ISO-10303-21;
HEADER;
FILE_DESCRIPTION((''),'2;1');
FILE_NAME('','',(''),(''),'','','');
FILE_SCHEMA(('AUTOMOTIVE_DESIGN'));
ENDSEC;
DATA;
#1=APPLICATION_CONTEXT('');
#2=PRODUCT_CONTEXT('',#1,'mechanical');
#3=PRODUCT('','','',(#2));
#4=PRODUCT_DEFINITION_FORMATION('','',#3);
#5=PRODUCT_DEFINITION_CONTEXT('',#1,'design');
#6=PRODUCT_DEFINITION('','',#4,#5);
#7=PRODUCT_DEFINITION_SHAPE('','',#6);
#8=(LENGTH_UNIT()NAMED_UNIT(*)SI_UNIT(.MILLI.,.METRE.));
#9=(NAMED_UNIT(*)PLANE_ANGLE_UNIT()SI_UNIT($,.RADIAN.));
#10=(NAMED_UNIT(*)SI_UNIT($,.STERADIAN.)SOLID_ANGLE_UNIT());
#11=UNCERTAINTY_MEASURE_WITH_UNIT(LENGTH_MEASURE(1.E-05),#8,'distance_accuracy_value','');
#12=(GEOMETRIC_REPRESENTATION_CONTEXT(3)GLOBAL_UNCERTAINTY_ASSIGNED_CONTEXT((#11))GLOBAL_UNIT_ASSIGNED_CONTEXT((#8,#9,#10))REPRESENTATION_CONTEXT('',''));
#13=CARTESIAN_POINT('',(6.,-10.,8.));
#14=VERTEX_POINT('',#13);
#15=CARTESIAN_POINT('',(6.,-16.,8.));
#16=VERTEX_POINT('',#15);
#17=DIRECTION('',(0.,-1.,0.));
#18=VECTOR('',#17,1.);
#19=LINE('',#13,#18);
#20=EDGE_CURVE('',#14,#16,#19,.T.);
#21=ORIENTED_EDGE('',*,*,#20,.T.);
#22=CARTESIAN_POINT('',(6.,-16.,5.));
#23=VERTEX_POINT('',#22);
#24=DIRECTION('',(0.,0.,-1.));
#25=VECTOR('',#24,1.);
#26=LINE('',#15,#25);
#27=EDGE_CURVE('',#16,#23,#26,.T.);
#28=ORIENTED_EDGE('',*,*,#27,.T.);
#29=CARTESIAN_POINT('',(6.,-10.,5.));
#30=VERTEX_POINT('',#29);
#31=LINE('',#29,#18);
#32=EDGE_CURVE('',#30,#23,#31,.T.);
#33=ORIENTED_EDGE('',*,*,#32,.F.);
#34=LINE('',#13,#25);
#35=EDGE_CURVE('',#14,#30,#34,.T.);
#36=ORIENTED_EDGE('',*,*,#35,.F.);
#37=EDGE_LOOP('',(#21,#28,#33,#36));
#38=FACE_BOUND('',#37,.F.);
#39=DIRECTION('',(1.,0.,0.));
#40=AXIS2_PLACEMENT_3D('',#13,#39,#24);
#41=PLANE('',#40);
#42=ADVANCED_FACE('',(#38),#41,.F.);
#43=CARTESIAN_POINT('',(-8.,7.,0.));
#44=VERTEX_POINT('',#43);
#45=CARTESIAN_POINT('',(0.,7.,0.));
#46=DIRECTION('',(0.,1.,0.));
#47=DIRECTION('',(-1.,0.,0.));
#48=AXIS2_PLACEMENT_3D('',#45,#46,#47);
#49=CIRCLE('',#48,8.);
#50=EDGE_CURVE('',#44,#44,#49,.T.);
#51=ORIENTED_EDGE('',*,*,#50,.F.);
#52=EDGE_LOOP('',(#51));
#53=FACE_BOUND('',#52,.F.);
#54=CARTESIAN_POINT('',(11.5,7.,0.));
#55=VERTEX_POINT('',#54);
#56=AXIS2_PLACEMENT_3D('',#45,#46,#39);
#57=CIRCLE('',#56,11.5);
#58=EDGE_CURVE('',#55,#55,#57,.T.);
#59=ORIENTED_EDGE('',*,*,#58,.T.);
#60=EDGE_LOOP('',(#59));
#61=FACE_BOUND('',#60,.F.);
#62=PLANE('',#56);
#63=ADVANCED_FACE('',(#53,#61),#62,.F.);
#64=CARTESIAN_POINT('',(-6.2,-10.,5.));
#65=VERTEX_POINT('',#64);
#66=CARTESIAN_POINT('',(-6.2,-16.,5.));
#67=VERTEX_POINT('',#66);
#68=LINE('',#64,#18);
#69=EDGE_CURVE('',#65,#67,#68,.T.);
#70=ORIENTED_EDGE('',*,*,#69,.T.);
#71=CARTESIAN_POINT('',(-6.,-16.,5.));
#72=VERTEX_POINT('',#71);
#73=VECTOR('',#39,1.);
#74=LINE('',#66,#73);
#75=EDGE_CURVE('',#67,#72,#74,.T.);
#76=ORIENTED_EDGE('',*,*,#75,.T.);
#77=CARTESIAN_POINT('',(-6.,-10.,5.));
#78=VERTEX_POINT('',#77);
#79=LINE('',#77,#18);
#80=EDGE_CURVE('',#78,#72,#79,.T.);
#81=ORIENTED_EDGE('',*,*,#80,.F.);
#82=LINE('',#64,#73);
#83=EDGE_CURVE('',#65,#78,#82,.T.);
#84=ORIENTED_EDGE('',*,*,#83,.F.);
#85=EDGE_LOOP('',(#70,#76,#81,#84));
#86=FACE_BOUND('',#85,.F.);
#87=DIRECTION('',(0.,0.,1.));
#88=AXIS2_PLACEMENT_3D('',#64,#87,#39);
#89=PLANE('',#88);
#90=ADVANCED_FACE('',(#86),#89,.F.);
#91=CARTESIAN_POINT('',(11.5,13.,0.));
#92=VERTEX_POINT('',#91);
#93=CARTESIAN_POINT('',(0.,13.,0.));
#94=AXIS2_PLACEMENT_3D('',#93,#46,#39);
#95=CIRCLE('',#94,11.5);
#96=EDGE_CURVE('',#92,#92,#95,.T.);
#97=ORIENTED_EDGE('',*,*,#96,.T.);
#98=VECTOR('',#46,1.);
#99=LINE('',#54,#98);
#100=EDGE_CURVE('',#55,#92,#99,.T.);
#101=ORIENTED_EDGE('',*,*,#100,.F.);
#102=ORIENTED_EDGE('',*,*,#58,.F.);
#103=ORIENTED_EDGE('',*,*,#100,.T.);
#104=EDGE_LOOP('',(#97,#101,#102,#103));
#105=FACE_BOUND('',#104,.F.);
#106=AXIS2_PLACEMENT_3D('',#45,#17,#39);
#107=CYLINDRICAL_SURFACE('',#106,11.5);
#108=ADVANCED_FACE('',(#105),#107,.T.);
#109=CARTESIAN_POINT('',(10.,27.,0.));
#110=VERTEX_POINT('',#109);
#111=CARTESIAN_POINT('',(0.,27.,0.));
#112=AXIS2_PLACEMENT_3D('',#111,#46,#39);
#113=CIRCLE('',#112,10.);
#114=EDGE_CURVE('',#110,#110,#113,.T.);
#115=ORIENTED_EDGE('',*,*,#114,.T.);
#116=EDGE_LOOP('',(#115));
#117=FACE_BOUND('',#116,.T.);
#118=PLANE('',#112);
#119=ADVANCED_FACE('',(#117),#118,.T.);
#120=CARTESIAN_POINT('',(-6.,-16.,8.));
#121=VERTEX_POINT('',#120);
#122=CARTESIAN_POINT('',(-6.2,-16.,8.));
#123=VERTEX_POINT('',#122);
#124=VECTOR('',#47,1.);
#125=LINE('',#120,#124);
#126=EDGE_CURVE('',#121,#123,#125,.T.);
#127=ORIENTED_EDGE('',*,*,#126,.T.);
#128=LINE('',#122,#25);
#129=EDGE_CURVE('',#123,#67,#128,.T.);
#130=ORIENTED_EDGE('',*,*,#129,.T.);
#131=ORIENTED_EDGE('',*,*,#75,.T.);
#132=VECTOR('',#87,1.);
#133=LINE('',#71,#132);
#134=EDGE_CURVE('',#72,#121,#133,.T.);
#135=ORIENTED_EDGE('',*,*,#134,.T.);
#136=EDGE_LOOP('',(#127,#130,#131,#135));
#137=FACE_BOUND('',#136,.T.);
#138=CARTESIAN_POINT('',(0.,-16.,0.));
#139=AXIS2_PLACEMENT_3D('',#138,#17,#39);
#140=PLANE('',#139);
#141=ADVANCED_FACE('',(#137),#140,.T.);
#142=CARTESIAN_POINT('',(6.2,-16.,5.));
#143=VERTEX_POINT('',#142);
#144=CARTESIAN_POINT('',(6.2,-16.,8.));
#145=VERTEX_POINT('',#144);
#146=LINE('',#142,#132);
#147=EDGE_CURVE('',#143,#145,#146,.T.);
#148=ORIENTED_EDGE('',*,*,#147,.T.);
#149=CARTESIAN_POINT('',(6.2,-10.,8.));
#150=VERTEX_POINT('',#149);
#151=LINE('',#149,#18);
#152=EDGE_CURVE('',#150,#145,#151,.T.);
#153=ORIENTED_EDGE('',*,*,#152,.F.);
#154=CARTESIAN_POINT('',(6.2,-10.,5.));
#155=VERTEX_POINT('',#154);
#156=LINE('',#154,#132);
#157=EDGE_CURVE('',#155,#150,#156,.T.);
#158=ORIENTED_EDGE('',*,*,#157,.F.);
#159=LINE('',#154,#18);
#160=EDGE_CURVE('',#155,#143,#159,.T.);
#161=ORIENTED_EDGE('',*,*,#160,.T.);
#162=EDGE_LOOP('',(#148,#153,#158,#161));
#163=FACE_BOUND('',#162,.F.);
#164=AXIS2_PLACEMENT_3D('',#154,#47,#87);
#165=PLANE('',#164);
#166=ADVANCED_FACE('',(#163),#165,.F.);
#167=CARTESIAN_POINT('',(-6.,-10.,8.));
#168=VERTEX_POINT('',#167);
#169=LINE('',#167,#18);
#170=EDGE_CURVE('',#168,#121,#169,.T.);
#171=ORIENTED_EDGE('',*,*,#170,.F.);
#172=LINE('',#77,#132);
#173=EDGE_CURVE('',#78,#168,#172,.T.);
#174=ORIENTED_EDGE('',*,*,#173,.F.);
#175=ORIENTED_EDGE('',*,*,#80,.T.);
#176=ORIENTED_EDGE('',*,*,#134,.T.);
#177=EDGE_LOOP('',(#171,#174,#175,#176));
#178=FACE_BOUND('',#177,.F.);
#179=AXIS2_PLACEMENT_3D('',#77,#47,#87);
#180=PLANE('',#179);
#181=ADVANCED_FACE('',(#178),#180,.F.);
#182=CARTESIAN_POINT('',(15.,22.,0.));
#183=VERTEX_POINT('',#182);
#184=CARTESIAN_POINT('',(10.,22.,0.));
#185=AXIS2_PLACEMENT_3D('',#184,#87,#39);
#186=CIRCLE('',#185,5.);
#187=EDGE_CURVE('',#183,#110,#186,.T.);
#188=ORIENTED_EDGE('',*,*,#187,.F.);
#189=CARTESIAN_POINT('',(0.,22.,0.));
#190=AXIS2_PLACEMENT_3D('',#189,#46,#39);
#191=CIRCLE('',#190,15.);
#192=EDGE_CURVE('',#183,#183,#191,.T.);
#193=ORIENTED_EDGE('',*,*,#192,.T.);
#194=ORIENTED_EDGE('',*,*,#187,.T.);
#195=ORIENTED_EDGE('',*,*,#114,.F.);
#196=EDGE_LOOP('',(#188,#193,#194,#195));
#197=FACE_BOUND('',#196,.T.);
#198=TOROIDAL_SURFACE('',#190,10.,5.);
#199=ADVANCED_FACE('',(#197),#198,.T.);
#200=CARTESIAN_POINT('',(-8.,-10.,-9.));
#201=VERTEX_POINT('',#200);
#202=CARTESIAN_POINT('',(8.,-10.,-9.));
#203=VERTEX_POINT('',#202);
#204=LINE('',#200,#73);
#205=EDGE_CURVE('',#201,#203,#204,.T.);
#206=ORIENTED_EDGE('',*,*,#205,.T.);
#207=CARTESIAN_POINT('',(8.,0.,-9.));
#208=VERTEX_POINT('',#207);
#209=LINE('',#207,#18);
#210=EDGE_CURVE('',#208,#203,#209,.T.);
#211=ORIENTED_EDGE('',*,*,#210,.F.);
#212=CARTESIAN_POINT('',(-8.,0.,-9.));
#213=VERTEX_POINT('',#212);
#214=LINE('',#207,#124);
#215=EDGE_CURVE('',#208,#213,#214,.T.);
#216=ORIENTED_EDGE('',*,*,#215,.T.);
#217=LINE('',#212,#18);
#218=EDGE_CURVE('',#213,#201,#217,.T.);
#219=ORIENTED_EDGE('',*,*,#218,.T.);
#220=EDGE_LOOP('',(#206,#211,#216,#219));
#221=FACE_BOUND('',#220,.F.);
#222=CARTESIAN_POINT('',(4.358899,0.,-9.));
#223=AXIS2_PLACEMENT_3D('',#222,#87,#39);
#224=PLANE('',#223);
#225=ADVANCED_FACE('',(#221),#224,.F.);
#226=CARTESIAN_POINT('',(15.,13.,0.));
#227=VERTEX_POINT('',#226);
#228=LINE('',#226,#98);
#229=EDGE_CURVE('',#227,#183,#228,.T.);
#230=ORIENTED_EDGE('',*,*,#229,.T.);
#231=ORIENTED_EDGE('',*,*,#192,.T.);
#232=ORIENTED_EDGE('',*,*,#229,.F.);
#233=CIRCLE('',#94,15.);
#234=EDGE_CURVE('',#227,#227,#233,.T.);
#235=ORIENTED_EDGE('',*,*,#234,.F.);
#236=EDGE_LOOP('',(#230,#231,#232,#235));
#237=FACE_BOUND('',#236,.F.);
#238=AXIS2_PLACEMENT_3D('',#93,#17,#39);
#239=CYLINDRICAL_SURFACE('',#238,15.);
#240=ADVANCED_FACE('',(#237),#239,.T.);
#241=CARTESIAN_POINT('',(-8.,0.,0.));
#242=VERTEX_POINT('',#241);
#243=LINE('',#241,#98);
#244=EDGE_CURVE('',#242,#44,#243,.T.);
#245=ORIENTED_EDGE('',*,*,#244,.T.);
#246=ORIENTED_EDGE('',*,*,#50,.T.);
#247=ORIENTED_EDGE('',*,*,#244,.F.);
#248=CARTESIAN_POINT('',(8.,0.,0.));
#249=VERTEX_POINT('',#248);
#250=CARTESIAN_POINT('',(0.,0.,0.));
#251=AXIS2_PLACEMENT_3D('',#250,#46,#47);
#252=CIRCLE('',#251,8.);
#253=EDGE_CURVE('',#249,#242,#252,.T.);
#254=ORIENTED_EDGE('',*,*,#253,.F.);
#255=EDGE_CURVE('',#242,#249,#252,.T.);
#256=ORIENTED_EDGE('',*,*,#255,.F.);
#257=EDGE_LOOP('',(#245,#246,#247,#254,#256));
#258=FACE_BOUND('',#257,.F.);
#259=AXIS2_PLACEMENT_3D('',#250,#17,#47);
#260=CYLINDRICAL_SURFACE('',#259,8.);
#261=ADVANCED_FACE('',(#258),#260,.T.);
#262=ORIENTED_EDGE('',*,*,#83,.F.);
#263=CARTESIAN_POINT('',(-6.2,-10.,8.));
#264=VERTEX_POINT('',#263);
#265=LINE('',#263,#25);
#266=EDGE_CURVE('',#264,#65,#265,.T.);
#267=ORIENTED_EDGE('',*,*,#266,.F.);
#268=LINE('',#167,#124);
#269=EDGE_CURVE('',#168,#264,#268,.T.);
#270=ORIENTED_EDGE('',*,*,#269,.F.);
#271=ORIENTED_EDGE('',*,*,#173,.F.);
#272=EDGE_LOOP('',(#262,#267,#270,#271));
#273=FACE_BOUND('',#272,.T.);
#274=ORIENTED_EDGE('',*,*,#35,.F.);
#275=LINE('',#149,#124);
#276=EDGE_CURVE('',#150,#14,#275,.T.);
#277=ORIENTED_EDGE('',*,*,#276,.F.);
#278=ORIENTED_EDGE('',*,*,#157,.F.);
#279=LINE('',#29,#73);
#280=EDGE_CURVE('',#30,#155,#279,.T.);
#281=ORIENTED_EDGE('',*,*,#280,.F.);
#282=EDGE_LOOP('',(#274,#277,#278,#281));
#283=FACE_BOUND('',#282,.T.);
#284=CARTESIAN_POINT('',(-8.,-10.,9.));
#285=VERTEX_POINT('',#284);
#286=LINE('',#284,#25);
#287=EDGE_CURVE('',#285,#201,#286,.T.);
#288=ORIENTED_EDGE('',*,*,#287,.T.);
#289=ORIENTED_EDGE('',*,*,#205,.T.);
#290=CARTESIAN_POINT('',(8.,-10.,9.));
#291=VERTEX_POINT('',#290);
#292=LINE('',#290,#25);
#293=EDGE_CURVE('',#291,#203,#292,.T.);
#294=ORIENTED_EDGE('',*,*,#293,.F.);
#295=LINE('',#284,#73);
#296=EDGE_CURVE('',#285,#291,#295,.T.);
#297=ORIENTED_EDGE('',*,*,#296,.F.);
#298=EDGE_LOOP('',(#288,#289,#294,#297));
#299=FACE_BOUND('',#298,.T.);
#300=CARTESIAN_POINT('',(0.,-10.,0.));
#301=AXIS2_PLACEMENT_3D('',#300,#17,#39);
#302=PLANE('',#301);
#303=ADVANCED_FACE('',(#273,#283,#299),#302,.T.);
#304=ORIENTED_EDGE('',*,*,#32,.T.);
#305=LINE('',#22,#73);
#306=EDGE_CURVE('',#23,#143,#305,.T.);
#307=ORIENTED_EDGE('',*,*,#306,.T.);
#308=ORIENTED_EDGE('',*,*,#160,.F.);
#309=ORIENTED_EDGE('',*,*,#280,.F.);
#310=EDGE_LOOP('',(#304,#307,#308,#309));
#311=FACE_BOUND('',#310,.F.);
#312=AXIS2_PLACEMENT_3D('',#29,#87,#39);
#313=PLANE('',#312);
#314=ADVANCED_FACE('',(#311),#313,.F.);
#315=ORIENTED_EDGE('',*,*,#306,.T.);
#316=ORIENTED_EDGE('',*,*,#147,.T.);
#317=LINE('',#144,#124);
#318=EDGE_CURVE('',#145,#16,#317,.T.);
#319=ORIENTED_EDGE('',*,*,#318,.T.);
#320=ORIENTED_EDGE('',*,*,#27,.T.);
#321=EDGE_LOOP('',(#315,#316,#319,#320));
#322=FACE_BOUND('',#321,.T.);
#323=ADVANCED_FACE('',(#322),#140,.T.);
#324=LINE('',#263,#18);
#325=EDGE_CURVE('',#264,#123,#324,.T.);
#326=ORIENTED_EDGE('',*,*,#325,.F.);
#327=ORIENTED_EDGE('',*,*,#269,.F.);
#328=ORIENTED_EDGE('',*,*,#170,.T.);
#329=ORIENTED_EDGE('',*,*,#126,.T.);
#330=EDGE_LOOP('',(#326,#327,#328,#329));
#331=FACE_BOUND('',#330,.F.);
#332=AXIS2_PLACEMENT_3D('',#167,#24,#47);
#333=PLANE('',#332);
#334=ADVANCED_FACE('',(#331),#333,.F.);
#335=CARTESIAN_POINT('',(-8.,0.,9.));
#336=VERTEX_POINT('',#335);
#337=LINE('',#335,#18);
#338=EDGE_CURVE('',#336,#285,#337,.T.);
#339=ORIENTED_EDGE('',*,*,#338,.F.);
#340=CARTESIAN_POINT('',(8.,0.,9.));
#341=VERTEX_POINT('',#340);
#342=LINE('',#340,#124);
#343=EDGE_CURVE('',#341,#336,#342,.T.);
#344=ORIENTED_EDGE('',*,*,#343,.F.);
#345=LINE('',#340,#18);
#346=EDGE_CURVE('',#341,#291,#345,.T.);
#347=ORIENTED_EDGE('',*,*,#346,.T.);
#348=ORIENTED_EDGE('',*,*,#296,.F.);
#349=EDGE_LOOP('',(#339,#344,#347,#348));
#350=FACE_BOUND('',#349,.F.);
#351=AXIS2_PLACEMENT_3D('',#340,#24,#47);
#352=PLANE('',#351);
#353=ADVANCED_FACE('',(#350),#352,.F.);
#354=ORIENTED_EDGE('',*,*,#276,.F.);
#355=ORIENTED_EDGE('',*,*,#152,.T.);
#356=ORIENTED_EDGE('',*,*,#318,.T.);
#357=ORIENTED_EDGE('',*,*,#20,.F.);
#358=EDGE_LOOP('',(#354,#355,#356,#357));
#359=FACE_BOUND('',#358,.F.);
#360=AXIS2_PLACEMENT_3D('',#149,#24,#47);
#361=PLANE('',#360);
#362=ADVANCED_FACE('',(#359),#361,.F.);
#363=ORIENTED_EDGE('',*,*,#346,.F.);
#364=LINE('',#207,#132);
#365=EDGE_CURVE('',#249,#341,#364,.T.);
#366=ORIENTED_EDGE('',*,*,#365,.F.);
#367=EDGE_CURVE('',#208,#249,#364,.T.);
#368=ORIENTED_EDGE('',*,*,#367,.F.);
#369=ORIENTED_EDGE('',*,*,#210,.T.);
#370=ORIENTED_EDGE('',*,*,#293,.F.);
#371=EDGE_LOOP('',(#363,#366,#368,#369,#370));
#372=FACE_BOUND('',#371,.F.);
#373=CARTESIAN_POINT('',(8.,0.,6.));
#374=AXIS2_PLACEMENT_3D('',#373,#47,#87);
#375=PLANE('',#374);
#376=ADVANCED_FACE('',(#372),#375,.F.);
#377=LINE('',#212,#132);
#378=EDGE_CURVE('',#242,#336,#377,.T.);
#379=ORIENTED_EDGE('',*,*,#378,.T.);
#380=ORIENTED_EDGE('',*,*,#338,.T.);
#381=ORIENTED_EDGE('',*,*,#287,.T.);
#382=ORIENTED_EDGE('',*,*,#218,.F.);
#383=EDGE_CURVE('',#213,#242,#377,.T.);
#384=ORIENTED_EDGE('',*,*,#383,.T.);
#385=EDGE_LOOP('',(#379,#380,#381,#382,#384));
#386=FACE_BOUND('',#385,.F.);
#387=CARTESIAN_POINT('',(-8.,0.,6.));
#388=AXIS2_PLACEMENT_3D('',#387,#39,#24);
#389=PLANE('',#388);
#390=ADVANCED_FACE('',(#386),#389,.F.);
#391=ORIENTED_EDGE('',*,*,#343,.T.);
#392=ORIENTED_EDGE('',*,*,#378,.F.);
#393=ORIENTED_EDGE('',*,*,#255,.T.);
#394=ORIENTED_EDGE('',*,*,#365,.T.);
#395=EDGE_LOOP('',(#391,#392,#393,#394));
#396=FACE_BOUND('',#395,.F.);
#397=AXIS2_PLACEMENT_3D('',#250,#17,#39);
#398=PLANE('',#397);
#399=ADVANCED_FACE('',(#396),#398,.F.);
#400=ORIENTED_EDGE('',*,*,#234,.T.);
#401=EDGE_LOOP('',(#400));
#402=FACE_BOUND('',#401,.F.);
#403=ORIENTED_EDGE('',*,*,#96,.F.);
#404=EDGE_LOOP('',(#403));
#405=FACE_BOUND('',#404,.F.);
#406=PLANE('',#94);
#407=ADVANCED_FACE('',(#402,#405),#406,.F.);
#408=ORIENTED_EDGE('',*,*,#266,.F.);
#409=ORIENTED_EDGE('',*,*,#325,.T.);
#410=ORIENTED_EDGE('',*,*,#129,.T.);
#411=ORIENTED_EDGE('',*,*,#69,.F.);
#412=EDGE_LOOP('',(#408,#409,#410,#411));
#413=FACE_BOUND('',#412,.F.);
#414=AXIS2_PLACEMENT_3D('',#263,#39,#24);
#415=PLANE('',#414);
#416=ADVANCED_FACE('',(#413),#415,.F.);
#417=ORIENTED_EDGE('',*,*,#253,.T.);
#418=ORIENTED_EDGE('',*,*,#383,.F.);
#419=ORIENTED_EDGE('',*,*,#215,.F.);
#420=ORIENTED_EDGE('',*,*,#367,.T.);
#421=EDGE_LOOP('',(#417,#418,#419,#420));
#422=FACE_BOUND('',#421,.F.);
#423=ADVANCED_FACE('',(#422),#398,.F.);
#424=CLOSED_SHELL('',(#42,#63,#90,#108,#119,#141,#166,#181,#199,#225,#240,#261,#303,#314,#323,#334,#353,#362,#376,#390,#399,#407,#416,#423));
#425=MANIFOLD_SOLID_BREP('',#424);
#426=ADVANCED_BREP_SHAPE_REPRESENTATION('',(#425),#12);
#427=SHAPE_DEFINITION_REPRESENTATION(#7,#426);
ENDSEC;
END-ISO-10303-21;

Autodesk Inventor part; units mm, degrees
ref_plane "YZ Plane" through (0, 0, 0) normal (1, 0, 0) x (0, 1, 0)
ref_plane "XZ Plane" through (0, 0, 0) normal (0, 1, 0) x (-1, 0, 0)
ref_plane "XY Plane" through (0, 0, 0) normal (0, 0, 1) x (1, 0, 0)
sketch "スケッチ1" plane through (0, 0, 0) normal (0, 1, 0) x (-1, 0, 0)
  circle A0 centre (0, 0) radius 8
  dimension "d0" = 16
extrude "押し出し1" add sketch "スケッチ1" along normal blind 7
sketch "スケッチ2" plane through (0, 7, 0) normal (0, 1, 0) x (1, 0, 0)
  circle A0 centre (0, 0) radius 11.5
  dimension "d3" = 23
extrude "押し出し2" add sketch "スケッチ2" along normal blind 6
sketch "スケッチ3" plane through (0, 13, 0) normal (0, 1, 0) x (1, 0, 0)
  circle A0 centre (0, 0) radius 15
  dimension "d6" = 30
extrude "押し出し3" add sketch "スケッチ3" along normal blind 14
fillet "フィレット1" radius 5 1 edges at (-15, 27, 0)
sketch "スケッチ4" plane through (0, 0, 0) normal (0, -1, 0) x (1, 0, 0)
  line L0 (8, 9) -> (-8, 9)
  line L1 (-8, 9) -> (-8, -9)
  line L2 (-8, -9) -> (8, -9)
  line L3 (8, -9) -> (8, 9)
  circle A0 centre (0, 0) radius 10 projected
  line L4 (8, 9) -> (-8, -9) construction
  line L5 (-8, 9) -> (8, -9) construction
  dimension "d10" = 16
  dimension "d11" = 18
extrude "押し出し4" add sketch "スケッチ4" along normal blind 10 contours L3 A0 L0 | A0 L3 L2 L1 L0 | A0 L1 L0 | L3 L2 A0 | A0 L2 L1
sketch "スケッチ5" plane through (0, -10, 0) normal (0, -1, 0) x (1, 0, 0)
  line L0 (-6, 8) -> (-6.2, 8)
  line L1 (-6.2, 8) -> (-6.2, 5)
  line L2 (-6.2, 5) -> (-6, 5)
  line L3 (-6, 5) -> (-6, 8)
  line L4 (6.2, 8) -> (6, 8)
  line L5 (6, 8) -> (6, 5)
  line L6 (6, 5) -> (6.2, 5)
  line L7 (6.2, 5) -> (6.2, 8)
  line L8 (0, -21) -> (0, 21) projected
  line L9 (8, 9) -> (-8, 9) projected
  point P0 (0, 0)
  point P1 (6.1, 8)
  dimension "d14" = 0.2
  dimension "d15" = 3
  dimension "d16" = 6
  dimension "d17" = 1
extrude "押し出し5" add sketch "スケッチ5" along normal blind 6
properties part number "emergency_button"
